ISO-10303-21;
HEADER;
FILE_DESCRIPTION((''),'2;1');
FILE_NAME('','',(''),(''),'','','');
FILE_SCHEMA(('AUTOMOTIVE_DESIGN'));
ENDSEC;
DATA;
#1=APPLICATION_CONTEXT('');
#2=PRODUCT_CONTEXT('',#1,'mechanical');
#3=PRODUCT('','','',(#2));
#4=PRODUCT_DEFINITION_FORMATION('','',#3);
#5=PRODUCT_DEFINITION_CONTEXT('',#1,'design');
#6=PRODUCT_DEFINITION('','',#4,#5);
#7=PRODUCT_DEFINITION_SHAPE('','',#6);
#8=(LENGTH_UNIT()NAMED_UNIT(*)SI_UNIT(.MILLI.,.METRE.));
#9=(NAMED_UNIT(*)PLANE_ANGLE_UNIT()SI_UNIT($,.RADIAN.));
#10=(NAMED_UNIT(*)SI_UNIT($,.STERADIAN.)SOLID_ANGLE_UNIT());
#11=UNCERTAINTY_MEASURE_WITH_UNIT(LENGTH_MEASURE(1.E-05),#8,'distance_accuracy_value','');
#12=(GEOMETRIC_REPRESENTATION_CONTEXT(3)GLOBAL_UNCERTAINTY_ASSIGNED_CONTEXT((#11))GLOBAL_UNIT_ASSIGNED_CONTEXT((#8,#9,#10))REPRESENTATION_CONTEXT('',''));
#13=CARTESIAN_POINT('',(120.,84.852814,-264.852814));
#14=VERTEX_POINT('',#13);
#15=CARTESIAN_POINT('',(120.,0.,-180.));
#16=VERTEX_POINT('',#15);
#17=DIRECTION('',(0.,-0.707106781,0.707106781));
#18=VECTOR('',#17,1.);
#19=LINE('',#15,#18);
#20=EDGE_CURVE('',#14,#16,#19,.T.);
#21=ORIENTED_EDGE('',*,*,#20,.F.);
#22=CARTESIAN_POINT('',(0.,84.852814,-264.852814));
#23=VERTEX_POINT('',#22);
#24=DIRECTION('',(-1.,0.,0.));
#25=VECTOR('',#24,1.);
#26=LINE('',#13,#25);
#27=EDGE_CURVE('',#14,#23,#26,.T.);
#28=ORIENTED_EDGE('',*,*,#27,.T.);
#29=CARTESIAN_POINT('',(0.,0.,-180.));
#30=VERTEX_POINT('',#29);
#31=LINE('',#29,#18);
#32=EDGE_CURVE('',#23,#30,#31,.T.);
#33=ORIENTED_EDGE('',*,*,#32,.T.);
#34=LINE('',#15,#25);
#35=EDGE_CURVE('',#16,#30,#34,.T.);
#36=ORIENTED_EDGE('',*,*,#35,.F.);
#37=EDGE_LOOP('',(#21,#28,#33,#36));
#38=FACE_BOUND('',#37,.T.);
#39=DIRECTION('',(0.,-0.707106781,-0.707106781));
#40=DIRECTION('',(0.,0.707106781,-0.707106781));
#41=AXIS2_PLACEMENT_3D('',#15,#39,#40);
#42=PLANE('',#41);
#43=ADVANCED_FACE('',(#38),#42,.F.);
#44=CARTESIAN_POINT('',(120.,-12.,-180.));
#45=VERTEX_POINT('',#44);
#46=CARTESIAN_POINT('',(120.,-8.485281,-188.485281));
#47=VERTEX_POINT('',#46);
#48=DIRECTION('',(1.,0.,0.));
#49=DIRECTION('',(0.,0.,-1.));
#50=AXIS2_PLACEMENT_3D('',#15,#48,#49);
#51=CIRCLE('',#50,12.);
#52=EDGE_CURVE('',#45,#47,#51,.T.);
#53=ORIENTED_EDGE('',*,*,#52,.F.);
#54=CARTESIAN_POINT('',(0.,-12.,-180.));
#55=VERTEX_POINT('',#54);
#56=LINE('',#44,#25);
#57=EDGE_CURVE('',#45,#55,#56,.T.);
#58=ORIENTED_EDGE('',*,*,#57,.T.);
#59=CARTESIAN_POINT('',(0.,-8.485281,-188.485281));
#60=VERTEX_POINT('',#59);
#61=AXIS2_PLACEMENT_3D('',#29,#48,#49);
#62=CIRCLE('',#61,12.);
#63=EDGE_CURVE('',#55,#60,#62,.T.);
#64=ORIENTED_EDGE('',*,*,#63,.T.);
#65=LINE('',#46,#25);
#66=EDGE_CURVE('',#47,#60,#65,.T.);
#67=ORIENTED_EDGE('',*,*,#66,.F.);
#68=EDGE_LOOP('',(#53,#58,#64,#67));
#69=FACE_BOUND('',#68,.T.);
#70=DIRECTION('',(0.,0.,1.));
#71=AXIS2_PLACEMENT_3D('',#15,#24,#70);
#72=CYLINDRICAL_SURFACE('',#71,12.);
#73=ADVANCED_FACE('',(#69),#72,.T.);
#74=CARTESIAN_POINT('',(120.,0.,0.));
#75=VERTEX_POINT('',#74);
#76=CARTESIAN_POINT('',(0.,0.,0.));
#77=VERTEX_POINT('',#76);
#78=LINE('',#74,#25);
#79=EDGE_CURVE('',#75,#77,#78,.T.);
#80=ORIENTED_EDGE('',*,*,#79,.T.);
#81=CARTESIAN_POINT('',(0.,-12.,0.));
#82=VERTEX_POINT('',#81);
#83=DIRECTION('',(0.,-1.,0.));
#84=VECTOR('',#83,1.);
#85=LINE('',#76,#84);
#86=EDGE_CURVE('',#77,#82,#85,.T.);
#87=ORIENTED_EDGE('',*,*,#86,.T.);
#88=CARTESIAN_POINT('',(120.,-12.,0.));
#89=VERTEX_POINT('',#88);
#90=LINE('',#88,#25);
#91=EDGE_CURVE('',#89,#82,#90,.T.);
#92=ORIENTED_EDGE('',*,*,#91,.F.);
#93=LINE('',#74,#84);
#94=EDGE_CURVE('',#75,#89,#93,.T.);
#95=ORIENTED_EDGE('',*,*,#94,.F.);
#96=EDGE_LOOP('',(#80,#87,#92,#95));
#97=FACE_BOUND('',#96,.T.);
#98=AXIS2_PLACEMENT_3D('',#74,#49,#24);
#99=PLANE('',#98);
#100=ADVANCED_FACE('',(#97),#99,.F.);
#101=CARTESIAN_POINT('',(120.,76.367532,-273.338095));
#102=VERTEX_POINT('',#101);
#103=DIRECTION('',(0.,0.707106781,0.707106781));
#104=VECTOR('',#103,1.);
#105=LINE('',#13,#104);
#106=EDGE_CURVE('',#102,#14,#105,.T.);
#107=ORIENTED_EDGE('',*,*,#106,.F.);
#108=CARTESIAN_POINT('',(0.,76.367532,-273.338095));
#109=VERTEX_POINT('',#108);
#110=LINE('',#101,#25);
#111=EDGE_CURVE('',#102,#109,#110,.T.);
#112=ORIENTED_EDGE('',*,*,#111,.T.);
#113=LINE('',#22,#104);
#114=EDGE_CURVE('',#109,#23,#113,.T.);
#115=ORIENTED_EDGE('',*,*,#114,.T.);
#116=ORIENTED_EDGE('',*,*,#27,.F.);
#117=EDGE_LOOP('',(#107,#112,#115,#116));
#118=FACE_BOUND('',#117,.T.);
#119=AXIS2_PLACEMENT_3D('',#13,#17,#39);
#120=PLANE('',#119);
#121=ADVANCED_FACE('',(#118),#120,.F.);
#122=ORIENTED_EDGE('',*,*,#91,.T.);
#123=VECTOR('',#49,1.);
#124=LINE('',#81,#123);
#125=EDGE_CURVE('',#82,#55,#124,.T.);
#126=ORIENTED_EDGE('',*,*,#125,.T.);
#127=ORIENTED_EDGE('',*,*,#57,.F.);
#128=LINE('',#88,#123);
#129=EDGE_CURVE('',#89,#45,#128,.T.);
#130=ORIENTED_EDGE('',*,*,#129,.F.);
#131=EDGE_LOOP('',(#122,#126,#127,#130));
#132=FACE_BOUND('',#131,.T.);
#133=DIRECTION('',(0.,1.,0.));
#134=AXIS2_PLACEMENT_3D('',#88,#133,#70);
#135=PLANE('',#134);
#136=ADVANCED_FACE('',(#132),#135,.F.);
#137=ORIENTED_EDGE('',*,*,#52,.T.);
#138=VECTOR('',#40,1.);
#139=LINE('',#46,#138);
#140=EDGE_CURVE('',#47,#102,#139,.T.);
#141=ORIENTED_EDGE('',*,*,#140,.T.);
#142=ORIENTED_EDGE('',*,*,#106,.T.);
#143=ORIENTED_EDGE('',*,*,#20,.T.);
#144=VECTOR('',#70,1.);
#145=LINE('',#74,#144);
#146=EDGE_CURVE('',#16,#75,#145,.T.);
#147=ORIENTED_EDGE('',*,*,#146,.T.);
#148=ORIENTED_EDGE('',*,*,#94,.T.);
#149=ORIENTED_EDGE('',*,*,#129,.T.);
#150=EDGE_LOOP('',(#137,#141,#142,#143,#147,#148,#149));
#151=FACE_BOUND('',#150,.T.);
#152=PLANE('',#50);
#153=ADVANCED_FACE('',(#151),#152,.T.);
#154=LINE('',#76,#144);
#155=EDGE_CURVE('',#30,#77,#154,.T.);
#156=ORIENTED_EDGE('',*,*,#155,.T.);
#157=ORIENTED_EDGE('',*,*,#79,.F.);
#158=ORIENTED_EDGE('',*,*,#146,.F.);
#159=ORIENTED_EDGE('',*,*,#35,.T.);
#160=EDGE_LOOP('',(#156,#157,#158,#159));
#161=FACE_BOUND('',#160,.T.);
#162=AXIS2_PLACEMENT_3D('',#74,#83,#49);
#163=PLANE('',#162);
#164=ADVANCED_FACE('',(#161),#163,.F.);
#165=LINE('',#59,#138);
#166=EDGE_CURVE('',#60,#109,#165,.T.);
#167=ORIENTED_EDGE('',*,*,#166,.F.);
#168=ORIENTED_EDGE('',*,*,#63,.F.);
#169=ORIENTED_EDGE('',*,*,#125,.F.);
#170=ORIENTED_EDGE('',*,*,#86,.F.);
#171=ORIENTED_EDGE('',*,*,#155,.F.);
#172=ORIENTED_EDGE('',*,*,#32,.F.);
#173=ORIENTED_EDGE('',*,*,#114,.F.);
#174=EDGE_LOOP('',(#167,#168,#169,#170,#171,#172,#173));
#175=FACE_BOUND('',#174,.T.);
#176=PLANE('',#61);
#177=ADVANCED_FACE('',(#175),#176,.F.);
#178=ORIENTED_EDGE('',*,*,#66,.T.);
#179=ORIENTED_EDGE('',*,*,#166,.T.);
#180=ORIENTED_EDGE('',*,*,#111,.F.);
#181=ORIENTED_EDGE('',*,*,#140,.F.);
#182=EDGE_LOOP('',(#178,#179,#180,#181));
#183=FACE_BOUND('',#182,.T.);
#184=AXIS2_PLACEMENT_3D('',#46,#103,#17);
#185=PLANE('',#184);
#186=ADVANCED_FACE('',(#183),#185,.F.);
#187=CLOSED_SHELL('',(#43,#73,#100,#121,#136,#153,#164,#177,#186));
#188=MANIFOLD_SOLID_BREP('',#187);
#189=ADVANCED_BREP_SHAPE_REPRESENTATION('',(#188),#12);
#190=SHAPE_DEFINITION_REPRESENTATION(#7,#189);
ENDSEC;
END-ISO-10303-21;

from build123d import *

# Parameters (mm, degrees)
EXTRUDE1_DEPTH = 120


with BuildPart() as part:
    # Sketch1 → Extrude1 (new body)
    with BuildSketch(Plane(origin=(0, 0, 0), x_dir=(0, 0, -1), z_dir=(1, 0, 0))):
        with BuildLine():
            Line((0, 0), (180, 0))
            Line((180, 0), (264.852813742, 84.852813742))
            Line((264.852813742, 84.852813742), (273.338095117, 76.367532368))
            Line((273.338095117, 76.367532368), (188.485281374, -8.485281374))
            ThreePointArc((188.485281374, -8.485281374), (184.592201188, -11.08655439), (180, -12))
            Line((180, -12), (0, -12))
            Line((0, -12), (0, 0))
        make_face()
    extrude(amount=EXTRUDE1_DEPTH)


solid = part.part
